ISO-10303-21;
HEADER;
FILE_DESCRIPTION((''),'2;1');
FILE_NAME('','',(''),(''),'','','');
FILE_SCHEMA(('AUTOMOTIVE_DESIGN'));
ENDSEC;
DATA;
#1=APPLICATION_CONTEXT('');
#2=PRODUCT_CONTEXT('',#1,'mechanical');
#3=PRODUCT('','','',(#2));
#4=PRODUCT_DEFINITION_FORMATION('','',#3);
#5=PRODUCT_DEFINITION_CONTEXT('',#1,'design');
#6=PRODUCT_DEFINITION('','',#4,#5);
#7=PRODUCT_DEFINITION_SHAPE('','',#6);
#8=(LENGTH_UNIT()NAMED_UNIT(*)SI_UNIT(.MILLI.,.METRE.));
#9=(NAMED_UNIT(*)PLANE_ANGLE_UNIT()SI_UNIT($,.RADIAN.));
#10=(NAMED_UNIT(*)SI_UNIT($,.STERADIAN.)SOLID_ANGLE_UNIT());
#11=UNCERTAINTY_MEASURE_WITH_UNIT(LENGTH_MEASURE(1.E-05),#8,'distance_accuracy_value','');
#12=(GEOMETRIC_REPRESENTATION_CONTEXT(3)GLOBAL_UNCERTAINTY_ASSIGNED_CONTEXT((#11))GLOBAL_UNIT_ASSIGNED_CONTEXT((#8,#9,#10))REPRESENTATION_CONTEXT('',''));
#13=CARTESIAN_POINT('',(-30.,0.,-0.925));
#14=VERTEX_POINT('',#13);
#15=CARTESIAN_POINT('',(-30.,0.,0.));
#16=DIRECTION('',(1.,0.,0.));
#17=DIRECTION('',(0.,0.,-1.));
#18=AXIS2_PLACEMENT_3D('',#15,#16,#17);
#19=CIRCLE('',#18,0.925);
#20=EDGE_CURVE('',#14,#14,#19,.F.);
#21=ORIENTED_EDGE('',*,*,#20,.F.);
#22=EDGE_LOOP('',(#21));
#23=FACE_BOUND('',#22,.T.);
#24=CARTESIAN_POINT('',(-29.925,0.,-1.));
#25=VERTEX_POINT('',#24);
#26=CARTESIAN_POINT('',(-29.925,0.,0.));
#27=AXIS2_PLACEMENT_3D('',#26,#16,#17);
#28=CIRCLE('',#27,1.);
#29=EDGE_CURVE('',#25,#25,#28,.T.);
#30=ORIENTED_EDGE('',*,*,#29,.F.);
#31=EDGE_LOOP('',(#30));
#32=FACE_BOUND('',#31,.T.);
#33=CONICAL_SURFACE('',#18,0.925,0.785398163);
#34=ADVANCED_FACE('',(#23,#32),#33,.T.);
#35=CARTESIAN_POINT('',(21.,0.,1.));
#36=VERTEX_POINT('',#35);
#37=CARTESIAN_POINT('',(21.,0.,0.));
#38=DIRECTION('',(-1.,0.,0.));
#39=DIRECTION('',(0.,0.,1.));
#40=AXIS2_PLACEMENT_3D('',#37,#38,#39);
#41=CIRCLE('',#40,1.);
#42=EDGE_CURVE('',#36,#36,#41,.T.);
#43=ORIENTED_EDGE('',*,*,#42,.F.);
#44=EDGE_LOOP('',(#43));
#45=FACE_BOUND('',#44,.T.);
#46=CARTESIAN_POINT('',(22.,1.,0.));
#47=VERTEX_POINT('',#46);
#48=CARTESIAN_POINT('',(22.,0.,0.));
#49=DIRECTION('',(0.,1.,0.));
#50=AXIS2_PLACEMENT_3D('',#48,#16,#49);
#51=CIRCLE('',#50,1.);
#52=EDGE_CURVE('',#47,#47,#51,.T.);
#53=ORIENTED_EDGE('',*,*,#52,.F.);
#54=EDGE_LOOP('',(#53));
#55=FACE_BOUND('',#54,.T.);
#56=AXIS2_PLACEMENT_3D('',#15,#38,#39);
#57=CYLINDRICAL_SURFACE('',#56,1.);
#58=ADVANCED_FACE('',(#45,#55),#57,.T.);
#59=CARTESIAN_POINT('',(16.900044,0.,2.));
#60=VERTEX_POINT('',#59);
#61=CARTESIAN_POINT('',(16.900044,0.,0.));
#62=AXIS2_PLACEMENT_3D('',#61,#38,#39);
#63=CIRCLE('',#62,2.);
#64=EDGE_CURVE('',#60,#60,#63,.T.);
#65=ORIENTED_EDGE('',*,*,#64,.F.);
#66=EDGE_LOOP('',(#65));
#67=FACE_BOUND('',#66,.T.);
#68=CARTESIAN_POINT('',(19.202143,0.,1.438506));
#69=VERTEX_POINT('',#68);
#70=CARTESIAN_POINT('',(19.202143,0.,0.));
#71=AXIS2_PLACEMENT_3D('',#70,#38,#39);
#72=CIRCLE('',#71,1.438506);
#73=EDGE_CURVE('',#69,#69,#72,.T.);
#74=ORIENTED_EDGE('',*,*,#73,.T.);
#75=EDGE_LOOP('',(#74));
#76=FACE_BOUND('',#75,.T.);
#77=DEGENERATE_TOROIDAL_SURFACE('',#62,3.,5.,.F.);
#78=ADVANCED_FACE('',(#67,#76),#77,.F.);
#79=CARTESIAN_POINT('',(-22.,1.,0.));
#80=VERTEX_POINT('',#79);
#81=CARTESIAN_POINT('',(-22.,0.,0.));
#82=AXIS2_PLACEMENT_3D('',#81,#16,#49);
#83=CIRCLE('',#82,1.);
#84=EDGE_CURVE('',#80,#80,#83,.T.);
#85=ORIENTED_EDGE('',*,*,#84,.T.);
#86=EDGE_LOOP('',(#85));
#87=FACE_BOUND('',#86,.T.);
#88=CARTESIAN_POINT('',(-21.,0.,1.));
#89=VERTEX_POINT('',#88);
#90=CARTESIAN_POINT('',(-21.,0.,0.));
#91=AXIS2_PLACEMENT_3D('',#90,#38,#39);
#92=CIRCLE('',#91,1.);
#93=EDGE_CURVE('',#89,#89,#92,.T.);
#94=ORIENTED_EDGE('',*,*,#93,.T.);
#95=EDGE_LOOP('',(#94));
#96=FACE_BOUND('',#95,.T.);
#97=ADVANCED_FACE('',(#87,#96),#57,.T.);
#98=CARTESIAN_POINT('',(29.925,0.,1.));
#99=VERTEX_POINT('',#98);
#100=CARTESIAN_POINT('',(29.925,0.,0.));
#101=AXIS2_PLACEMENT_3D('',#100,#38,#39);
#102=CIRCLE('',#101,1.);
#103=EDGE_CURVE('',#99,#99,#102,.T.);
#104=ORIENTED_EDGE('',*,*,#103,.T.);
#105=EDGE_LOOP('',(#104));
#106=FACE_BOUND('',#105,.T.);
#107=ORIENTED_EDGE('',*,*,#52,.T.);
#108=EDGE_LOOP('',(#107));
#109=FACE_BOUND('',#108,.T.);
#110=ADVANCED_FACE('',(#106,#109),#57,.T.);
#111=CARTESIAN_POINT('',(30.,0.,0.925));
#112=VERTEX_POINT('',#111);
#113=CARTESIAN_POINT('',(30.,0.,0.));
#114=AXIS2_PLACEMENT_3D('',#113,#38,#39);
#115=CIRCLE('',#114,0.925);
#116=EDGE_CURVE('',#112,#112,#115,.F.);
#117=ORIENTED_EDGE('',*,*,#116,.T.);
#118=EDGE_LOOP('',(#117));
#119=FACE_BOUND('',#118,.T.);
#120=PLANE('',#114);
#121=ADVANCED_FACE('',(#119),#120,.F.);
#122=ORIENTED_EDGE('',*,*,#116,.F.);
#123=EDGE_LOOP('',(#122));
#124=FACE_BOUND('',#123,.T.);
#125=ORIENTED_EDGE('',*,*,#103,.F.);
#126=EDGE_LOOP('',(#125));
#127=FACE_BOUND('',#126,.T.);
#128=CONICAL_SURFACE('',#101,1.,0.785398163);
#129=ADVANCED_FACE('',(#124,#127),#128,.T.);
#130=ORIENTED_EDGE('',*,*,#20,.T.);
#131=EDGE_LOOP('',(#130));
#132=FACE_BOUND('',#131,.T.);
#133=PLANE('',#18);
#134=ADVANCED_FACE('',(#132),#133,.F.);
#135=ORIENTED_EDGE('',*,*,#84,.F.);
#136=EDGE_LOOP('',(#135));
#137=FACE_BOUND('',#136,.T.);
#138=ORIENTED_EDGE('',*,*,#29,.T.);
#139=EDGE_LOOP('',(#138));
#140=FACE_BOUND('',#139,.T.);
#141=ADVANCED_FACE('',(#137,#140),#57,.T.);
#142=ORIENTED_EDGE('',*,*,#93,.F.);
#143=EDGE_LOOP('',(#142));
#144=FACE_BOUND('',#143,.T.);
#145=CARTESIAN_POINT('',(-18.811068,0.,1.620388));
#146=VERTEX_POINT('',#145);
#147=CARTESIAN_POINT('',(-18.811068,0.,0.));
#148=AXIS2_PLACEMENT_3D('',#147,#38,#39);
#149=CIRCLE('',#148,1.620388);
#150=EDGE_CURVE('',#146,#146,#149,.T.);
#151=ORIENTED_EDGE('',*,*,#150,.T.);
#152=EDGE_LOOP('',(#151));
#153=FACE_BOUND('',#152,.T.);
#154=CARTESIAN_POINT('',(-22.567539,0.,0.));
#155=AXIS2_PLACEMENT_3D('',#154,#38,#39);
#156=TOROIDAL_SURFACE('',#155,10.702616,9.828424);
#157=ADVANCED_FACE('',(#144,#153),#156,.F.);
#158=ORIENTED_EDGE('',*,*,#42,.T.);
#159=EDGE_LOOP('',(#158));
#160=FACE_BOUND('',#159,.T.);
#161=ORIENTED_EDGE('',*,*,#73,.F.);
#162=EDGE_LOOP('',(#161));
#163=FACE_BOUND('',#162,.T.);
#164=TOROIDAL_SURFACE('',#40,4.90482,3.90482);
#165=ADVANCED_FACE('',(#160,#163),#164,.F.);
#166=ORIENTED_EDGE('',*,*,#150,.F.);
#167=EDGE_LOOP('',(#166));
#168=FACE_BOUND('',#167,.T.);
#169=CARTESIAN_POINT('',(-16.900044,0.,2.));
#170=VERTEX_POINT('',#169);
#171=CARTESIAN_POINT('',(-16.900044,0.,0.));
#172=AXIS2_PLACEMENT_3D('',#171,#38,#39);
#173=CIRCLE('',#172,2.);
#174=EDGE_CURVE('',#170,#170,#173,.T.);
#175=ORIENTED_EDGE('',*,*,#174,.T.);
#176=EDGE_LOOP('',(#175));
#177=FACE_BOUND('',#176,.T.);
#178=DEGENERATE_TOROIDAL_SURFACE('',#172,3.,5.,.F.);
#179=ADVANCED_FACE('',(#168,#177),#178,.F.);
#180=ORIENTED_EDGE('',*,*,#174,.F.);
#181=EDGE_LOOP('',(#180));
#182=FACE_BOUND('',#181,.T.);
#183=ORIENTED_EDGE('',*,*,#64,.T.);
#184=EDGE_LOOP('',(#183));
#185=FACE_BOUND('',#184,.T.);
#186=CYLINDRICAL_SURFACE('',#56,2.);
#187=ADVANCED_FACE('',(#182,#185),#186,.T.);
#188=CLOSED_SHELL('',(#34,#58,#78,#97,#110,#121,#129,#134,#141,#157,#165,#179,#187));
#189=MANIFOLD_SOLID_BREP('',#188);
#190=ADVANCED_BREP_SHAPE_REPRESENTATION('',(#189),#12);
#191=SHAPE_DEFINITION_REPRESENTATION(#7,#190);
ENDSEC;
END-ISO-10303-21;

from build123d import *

# Parameters (mm, degrees)
CHAMFER1_SIZE = 0.075


with BuildPart() as part:
    # Sketch1 → Revolve1 (revolve)
    with BuildSketch(Plane.XY):
        with BuildLine():
            Line((-30, 0), (30, 0))
            Line((30, 0), (30, 1))
            Line((30, 1), (21, 1))
            ThreePointArc((21, 1), (20.074719347, 1.111210238), (19.202143132, 1.438506361))
            ThreePointArc((19.202143132, 1.438506361), (18.084836661, 1.857598779), (16.900043811, 2))
            Line((16.900043811, 2), (-16.900043811, 2))
            ThreePointArc((-16.900043811, 2), (-17.874225193, 1.904178895), (-18.811067721, 1.620388254))
            ThreePointArc((-18.811067721, 1.620388254), (-19.887521878, 1.246641972), (-21, 1))
            Line((-21, 1), (-30, 1))
            Line((-30, 1), (-30, 0))
        make_face()
    revolve(axis=Axis((-30, 0, 0), (1, 0, 0)))

    # Chamfer1
    chamfer1_edges = [part.edges().sort_by_distance(p)[0] for p in [
        (30, -1, 0),
        (-30, -1, 0),
    ]]
    chamfer(chamfer1_edges, length=CHAMFER1_SIZE)


solid = part.part
